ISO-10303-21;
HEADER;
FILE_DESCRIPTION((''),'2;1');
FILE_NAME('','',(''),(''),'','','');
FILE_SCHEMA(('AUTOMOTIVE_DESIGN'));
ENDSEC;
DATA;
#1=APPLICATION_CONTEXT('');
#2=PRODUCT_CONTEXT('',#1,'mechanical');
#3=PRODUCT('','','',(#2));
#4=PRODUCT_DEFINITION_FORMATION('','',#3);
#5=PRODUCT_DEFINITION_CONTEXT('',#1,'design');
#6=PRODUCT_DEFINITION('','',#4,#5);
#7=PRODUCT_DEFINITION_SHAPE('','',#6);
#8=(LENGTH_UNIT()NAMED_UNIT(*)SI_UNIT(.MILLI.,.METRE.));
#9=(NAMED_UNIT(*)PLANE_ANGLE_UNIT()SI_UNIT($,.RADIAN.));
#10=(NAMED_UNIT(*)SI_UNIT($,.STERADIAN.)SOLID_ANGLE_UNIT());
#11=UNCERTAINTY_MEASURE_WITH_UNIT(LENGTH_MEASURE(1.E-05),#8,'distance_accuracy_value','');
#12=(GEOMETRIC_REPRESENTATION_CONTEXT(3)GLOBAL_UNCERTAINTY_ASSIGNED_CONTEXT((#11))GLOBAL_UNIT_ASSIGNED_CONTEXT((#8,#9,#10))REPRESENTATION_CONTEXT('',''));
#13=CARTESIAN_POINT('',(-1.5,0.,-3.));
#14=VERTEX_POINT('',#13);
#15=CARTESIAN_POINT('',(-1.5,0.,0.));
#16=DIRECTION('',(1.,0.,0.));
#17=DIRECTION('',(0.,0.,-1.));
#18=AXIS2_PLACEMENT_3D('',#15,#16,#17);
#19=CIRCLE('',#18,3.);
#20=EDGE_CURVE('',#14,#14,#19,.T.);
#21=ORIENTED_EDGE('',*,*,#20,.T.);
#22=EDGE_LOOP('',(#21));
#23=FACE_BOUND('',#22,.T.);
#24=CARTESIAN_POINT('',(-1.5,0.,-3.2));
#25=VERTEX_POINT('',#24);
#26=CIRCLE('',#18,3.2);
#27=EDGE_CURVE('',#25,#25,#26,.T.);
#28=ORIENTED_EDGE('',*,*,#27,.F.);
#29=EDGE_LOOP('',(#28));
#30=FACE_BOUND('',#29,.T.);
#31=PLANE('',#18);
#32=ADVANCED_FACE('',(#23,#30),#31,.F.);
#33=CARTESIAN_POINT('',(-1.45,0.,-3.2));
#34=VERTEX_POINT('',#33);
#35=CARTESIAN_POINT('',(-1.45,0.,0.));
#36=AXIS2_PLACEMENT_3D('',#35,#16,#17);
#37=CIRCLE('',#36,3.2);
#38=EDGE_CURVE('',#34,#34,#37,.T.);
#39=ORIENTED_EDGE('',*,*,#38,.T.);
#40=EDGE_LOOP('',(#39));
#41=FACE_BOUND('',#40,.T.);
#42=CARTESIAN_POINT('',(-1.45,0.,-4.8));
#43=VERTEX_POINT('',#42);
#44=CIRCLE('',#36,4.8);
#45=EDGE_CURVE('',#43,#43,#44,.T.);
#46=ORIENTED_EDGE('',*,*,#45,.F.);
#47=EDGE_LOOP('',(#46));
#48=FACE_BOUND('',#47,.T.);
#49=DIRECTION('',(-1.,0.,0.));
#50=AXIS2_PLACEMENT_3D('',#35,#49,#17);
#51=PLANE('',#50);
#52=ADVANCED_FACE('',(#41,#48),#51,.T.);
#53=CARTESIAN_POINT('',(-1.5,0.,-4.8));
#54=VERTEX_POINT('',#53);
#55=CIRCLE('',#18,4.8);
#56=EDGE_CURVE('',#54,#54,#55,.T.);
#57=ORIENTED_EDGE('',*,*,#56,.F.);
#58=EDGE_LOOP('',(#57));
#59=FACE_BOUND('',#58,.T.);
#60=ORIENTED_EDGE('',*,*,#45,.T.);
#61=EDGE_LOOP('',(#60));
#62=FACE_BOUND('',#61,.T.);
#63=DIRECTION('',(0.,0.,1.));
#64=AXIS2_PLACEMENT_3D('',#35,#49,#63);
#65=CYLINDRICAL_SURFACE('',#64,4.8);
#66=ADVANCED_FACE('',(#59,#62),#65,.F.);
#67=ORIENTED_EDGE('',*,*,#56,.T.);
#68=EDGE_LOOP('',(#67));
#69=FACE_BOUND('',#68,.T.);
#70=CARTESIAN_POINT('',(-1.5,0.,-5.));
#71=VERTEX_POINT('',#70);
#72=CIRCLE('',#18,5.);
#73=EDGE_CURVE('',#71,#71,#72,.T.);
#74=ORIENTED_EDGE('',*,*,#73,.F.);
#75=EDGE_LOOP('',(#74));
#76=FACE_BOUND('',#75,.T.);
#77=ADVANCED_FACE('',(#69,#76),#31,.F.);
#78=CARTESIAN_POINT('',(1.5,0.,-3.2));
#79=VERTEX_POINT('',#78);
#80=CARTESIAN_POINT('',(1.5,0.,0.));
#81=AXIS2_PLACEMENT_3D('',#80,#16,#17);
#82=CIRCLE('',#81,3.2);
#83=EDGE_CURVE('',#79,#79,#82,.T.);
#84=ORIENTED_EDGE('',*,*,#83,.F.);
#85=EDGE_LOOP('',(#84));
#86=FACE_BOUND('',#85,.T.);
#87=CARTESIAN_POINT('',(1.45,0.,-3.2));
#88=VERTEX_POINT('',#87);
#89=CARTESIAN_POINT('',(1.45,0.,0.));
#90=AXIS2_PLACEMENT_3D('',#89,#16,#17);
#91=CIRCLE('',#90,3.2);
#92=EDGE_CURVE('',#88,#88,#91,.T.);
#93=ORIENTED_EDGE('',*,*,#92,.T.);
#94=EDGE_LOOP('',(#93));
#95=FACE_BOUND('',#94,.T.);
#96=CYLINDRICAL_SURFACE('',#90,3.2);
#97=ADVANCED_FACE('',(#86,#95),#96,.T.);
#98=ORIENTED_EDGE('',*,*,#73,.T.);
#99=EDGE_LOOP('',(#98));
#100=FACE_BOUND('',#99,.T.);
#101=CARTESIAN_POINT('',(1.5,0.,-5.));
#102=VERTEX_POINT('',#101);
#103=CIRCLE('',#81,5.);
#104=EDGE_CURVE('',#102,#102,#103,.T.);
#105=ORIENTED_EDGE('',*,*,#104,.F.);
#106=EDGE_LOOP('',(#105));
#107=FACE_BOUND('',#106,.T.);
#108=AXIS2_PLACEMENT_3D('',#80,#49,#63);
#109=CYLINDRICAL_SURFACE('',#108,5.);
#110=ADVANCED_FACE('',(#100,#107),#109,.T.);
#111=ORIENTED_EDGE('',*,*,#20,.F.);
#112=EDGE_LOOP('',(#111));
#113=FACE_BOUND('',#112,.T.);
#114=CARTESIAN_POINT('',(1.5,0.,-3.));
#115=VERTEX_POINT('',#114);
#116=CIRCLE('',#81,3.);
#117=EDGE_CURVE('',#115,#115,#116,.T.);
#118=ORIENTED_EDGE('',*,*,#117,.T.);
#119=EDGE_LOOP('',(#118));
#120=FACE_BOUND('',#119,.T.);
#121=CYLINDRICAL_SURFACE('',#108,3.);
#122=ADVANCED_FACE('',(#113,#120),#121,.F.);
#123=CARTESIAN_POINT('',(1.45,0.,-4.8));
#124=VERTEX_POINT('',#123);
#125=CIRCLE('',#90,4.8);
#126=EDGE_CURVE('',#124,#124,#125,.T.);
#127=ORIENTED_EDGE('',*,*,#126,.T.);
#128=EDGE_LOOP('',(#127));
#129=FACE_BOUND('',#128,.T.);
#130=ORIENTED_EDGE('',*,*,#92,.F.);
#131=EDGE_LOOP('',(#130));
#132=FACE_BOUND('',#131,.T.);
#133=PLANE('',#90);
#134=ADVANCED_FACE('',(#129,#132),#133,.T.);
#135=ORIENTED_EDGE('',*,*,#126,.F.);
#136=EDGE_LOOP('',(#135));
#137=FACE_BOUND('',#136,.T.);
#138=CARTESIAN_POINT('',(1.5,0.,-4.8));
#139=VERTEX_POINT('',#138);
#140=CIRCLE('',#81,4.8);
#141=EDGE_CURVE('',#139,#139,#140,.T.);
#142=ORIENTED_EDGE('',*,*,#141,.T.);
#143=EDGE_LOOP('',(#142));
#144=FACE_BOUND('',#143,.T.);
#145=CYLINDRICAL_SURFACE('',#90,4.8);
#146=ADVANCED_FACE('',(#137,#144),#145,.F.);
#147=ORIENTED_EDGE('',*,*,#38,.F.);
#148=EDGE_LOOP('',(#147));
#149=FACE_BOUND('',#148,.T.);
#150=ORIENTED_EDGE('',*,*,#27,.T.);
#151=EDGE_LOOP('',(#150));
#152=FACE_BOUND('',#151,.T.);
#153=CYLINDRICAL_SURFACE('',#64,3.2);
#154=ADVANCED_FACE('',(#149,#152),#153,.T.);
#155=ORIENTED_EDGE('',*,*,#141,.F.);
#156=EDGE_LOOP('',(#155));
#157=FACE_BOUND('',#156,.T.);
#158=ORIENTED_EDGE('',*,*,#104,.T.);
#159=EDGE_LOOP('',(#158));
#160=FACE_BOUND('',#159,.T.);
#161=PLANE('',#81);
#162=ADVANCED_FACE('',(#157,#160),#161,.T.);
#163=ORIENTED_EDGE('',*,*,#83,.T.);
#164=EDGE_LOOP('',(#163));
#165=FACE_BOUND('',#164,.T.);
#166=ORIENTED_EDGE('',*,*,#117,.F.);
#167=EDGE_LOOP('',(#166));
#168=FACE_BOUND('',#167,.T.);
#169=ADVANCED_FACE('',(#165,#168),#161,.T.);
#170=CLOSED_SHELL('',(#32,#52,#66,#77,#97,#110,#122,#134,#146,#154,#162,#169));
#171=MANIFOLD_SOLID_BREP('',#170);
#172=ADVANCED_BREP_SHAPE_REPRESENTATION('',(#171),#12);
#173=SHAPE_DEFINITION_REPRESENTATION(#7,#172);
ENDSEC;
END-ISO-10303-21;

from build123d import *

# Parameters (mm, degrees)
SKETCH1_R           = 5
SKETCH1_R_2         = 3
BOSS_EXTRUDE1_DEPTH = 1.5
SKETCH2_R           = 4.8
SKETCH2_R_2         = 3.2
CUT_EXTRUDE1_DEPTH  = 0.05


with BuildPart() as part:
    # Sketch1 → Boss-Extrude1 (new, symmetric)
    with BuildSketch(Plane(origin=(0, 0, 0), x_dir=(0, 0, -1), z_dir=(1, 0, 0))):
        Circle(SKETCH1_R)
        Circle(SKETCH1_R_2, mode=Mode.SUBTRACT)
    extrude(amount=BOSS_EXTRUDE1_DEPTH, both=True)

    # Sketch2 → Cut-Extrude1 (cut)
    with BuildSketch(Plane(origin=(1.5, 0, 0), x_dir=(0, 0, -1), z_dir=(1, 0, 0))):
        Circle(SKETCH2_R)
        Circle(SKETCH2_R_2, mode=Mode.SUBTRACT)
    cut_extrude1 = extrude(amount=-CUT_EXTRUDE1_DEPTH, mode=Mode.SUBTRACT)

    # Mirror1: Cut-Extrude1 across plane
    add(cut_extrude1.mirror(Plane(origin=(0, 0, 0), x_dir=(0, 0, 1), z_dir=(1, 0, 0))), mode=Mode.SUBTRACT)


solid = part.part
